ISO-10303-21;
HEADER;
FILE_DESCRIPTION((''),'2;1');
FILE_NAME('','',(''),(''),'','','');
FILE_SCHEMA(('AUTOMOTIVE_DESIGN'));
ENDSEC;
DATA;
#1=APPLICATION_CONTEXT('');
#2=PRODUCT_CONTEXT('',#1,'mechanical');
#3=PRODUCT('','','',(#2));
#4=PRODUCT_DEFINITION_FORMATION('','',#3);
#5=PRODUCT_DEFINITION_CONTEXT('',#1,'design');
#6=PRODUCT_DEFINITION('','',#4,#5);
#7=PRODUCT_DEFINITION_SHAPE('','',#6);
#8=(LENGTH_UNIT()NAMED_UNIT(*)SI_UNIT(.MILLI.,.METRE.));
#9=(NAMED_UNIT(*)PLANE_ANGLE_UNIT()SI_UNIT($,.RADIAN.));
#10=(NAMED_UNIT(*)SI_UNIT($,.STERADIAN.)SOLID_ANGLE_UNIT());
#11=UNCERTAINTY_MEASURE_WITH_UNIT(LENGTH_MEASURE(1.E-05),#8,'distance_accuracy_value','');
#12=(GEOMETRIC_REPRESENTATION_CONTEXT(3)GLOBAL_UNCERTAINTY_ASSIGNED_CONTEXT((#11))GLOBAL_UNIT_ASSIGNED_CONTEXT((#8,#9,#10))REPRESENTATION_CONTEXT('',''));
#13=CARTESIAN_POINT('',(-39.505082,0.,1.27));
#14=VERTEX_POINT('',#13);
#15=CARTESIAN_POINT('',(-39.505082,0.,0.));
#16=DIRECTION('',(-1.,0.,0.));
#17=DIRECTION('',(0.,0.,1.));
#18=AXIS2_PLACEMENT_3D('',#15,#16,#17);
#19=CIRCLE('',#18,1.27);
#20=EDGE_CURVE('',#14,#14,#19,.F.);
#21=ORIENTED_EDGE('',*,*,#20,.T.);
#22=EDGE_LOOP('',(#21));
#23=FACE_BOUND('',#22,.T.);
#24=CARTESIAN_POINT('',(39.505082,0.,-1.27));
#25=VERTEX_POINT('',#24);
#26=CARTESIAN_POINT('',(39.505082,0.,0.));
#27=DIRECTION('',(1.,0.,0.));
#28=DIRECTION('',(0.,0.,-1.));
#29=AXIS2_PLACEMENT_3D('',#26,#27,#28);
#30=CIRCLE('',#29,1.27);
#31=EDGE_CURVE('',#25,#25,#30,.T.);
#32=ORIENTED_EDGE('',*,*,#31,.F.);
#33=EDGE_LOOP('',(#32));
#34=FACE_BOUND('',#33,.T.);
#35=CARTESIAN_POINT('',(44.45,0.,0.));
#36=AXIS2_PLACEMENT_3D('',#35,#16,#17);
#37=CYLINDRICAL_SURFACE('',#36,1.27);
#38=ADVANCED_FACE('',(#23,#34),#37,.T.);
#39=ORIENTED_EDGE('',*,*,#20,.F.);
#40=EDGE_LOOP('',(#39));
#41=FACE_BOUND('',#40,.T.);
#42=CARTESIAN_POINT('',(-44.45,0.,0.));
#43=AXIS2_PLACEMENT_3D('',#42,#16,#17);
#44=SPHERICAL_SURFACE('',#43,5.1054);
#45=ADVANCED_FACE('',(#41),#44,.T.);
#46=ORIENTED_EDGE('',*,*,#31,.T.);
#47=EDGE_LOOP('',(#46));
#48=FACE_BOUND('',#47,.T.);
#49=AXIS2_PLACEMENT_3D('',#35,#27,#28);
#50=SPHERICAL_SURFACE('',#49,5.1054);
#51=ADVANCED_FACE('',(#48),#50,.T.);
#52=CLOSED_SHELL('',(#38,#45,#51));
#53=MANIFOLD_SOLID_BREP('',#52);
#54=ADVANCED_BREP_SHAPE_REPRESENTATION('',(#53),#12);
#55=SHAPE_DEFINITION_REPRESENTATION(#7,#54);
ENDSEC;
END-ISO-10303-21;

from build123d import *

# Parameters (mm, degrees)
SKETCH1_R      = 1.27
EXTRUDE1_DEPTH = 44.45


with BuildPart() as part:
    # Sketch1 → Extrude1 (new, symmetric)
    with BuildSketch(Plane(origin=(0, 0, 0), x_dir=(0, 0, -1), z_dir=(1, 0, 0))):
        Circle(SKETCH1_R)
    extrude(amount=EXTRUDE1_DEPTH, both=True)

    # Sketch2 → Revolve1 (revolve)
    with BuildSketch(Plane.ZY.offset(44.45)):
        with BuildLine():
            Line((0, -5.1054), (0, 5.1054))
            ThreePointArc((0, 5.1054), (-5.1054, 0), (0, -5.1054))
        make_face()
    revolve(axis=Axis((-44.45, 8.762723072, 0), (0, -1, 0)))

    # Sketch3 → Revolve2 (revolve)
    with BuildSketch(Plane(origin=(44.45, 0, 0), x_dir=(0, 0, -1), z_dir=(1, 0, 0))):
        with BuildLine():
            Line((0, 5.1054), (0, -5.1054))
            ThreePointArc((0, -5.1054), (5.1054, 0), (0, 5.1054))
        make_face()
    revolve(axis=Axis((44.45, 5.1054, 0), (0, -1, 0)))


solid = part.part
